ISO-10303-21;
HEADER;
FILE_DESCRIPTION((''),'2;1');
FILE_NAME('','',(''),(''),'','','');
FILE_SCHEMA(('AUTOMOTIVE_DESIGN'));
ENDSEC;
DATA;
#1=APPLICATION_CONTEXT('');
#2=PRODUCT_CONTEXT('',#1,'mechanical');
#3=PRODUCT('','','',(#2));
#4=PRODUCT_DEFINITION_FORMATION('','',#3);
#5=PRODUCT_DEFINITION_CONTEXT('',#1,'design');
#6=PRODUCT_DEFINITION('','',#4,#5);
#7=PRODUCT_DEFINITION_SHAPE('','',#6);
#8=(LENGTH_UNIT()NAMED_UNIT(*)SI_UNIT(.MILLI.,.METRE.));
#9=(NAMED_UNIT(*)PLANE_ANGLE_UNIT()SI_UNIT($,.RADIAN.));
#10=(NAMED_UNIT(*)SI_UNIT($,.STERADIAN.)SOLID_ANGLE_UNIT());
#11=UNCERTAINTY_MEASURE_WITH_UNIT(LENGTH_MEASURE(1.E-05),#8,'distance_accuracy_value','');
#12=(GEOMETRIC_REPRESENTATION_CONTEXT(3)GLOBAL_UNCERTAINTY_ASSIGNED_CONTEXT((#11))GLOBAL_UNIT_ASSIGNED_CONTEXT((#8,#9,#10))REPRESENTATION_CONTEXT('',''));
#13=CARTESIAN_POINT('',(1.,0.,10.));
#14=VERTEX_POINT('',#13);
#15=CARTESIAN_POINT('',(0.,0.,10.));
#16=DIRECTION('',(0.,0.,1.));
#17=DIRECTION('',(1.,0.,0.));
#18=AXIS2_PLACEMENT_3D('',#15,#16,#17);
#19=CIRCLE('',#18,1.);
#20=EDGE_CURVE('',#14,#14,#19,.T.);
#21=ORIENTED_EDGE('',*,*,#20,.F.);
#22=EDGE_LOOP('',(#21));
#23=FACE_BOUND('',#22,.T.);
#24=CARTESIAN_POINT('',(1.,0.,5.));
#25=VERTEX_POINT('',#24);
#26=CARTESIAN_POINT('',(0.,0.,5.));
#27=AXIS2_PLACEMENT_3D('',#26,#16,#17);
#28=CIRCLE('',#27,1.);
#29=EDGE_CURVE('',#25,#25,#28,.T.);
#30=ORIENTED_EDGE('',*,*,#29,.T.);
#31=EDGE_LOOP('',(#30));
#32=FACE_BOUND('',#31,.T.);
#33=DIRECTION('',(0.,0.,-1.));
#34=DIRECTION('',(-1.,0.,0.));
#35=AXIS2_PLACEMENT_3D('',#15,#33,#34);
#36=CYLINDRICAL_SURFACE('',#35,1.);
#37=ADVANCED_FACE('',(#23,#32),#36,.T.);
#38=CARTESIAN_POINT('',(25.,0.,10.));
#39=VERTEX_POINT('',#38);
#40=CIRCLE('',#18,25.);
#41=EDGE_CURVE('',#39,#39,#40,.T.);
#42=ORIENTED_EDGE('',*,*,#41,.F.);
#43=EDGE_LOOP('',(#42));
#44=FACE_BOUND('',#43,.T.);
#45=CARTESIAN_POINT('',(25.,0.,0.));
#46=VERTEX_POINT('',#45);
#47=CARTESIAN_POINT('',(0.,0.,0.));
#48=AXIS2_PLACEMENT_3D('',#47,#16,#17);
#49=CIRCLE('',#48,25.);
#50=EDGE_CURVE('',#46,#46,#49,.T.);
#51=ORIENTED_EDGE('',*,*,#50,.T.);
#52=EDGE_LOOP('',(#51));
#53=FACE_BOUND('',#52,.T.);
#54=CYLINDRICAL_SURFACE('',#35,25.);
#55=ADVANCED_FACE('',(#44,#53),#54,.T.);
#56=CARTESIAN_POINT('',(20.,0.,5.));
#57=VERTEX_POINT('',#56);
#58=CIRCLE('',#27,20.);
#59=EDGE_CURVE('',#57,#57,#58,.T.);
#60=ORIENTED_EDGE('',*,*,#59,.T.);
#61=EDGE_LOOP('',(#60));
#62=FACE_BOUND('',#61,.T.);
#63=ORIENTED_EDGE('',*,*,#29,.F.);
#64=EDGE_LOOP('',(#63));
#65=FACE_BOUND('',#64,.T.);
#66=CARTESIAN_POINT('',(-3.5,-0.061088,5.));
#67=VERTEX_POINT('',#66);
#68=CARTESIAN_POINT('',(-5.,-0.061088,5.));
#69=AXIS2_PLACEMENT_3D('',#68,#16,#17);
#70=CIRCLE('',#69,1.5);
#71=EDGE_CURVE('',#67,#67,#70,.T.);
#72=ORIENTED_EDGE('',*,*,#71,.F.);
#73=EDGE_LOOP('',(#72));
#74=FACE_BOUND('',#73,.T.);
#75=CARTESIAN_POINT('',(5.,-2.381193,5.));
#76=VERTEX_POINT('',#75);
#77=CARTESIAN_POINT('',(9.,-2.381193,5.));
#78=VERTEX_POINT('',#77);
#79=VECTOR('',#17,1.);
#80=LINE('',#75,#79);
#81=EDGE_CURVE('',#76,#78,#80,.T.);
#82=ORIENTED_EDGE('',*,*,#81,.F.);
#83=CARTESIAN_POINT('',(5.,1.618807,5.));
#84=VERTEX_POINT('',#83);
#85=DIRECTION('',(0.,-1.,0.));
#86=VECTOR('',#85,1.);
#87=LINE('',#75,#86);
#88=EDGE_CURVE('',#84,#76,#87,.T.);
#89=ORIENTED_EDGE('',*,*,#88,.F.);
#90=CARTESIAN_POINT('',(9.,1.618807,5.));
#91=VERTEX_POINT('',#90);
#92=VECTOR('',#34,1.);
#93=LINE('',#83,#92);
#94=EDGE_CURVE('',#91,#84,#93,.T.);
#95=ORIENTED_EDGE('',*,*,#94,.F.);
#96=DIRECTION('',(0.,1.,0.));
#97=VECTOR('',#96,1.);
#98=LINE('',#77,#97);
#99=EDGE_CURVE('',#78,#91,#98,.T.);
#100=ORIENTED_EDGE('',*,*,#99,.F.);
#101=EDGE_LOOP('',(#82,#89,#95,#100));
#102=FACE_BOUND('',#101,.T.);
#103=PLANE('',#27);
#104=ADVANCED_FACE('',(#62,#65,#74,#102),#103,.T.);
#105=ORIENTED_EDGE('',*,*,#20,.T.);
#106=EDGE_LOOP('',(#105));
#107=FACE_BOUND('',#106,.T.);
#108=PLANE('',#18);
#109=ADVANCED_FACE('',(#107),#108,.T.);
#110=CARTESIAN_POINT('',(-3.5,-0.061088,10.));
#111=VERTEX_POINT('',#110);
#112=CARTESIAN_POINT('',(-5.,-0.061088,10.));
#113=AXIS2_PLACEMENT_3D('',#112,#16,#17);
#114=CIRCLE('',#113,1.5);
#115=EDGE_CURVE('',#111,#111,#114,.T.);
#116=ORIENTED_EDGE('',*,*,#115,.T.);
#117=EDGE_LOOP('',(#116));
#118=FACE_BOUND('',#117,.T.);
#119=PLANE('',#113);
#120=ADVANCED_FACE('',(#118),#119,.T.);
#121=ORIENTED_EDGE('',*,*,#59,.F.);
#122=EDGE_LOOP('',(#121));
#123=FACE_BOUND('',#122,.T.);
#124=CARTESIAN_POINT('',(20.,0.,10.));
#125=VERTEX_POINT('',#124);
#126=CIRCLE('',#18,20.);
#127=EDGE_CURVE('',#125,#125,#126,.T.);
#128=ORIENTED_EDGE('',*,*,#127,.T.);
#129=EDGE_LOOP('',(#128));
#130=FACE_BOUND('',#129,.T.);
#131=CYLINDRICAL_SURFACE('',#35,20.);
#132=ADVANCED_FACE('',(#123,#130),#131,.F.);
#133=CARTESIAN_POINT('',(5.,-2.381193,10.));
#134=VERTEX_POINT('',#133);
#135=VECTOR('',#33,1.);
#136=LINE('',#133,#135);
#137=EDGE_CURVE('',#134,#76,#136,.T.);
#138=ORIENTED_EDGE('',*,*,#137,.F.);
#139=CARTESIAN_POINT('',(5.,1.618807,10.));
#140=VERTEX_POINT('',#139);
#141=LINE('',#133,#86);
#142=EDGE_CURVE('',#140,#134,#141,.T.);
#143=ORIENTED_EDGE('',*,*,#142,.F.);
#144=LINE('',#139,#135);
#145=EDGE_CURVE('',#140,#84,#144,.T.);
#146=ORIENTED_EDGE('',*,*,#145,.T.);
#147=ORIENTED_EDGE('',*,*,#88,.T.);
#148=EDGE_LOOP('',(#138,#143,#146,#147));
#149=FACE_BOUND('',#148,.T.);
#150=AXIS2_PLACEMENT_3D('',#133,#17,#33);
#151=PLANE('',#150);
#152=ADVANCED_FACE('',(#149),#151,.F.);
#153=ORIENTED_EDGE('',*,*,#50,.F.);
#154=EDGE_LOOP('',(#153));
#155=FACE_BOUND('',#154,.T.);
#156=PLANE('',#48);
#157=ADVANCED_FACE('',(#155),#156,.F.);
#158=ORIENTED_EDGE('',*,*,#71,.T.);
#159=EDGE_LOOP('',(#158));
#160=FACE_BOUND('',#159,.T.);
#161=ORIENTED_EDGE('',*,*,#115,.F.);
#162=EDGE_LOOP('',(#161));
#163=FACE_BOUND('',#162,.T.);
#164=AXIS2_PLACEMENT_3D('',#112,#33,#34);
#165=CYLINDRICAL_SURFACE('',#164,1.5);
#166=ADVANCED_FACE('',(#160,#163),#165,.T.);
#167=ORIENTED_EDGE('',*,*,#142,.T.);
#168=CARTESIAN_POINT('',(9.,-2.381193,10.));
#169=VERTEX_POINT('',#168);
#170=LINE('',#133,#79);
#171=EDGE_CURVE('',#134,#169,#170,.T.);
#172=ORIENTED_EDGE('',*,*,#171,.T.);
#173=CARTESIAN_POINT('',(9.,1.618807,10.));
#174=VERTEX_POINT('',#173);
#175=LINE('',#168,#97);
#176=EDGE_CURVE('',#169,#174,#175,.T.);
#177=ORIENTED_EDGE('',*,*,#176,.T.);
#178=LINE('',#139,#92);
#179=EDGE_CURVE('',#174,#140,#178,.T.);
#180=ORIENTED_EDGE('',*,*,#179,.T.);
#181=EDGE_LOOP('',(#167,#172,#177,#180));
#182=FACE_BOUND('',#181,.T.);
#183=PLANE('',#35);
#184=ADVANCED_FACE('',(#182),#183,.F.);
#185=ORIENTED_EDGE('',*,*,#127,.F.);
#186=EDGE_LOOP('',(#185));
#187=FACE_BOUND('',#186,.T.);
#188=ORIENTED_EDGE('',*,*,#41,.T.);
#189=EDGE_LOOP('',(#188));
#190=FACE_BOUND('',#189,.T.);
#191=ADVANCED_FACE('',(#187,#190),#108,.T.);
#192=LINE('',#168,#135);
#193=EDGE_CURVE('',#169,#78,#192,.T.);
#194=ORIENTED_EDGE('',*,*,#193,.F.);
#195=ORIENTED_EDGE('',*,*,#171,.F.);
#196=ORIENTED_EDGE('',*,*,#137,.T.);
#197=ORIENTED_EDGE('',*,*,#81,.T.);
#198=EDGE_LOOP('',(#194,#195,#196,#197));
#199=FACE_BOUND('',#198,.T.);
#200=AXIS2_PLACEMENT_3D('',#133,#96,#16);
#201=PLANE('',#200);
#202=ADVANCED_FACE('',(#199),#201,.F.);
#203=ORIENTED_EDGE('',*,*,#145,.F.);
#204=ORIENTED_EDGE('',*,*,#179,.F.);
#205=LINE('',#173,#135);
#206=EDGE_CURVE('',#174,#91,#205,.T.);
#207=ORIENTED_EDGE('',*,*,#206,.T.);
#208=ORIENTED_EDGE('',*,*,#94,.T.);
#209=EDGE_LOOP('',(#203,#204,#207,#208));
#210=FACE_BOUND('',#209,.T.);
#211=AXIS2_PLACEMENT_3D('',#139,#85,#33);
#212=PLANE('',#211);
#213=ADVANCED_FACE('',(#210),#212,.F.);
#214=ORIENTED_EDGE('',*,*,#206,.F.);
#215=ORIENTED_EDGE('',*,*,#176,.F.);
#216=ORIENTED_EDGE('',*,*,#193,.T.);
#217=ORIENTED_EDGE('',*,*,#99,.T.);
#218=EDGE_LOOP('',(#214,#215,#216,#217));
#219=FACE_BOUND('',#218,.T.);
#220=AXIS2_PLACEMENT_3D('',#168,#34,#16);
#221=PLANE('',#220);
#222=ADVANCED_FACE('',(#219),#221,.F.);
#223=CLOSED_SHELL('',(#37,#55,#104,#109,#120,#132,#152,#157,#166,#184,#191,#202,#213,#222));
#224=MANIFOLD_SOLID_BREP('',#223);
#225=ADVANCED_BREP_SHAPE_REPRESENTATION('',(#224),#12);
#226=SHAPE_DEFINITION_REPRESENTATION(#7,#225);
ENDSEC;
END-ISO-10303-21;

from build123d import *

# Parameters (mm, degrees)
SKETCH1_R           = 25
BOSS_EXTRUDE1_DEPTH = 10
SHELL3_T            = -5
SKETCH3_R           = 1.5
SKETCH3_R_2         = 1
SKETCH3_W           = 4
SKETCH3_H           = 4
BOSS_EXTRUDE2_DEPTH = 5


with BuildPart() as part:
    # Sketch1 → Boss-Extrude1 (new body)
    with BuildSketch(Plane.XY):
        Circle(SKETCH1_R)
    extrude(amount=BOSS_EXTRUDE1_DEPTH)

    # Shell3
    shell3_openings = [part.faces().sort_by_distance(p)[0] for p in [
        (0, 0, 10),
    ]]
    offset(amount=SHELL3_T, openings=shell3_openings, kind=Kind.INTERSECTION)

    # Sketch3 → Boss-Extrude2 (add)
    with BuildSketch(Plane.XY.offset(5)):
        with Locations((-5, -0.061087675)):
            Circle(SKETCH3_R)
        Circle(SKETCH3_R_2)
        with Locations((7, -0.381193265)):
            Rectangle(SKETCH3_W, SKETCH3_H)
    extrude(amount=BOSS_EXTRUDE2_DEPTH)


solid = part.part
